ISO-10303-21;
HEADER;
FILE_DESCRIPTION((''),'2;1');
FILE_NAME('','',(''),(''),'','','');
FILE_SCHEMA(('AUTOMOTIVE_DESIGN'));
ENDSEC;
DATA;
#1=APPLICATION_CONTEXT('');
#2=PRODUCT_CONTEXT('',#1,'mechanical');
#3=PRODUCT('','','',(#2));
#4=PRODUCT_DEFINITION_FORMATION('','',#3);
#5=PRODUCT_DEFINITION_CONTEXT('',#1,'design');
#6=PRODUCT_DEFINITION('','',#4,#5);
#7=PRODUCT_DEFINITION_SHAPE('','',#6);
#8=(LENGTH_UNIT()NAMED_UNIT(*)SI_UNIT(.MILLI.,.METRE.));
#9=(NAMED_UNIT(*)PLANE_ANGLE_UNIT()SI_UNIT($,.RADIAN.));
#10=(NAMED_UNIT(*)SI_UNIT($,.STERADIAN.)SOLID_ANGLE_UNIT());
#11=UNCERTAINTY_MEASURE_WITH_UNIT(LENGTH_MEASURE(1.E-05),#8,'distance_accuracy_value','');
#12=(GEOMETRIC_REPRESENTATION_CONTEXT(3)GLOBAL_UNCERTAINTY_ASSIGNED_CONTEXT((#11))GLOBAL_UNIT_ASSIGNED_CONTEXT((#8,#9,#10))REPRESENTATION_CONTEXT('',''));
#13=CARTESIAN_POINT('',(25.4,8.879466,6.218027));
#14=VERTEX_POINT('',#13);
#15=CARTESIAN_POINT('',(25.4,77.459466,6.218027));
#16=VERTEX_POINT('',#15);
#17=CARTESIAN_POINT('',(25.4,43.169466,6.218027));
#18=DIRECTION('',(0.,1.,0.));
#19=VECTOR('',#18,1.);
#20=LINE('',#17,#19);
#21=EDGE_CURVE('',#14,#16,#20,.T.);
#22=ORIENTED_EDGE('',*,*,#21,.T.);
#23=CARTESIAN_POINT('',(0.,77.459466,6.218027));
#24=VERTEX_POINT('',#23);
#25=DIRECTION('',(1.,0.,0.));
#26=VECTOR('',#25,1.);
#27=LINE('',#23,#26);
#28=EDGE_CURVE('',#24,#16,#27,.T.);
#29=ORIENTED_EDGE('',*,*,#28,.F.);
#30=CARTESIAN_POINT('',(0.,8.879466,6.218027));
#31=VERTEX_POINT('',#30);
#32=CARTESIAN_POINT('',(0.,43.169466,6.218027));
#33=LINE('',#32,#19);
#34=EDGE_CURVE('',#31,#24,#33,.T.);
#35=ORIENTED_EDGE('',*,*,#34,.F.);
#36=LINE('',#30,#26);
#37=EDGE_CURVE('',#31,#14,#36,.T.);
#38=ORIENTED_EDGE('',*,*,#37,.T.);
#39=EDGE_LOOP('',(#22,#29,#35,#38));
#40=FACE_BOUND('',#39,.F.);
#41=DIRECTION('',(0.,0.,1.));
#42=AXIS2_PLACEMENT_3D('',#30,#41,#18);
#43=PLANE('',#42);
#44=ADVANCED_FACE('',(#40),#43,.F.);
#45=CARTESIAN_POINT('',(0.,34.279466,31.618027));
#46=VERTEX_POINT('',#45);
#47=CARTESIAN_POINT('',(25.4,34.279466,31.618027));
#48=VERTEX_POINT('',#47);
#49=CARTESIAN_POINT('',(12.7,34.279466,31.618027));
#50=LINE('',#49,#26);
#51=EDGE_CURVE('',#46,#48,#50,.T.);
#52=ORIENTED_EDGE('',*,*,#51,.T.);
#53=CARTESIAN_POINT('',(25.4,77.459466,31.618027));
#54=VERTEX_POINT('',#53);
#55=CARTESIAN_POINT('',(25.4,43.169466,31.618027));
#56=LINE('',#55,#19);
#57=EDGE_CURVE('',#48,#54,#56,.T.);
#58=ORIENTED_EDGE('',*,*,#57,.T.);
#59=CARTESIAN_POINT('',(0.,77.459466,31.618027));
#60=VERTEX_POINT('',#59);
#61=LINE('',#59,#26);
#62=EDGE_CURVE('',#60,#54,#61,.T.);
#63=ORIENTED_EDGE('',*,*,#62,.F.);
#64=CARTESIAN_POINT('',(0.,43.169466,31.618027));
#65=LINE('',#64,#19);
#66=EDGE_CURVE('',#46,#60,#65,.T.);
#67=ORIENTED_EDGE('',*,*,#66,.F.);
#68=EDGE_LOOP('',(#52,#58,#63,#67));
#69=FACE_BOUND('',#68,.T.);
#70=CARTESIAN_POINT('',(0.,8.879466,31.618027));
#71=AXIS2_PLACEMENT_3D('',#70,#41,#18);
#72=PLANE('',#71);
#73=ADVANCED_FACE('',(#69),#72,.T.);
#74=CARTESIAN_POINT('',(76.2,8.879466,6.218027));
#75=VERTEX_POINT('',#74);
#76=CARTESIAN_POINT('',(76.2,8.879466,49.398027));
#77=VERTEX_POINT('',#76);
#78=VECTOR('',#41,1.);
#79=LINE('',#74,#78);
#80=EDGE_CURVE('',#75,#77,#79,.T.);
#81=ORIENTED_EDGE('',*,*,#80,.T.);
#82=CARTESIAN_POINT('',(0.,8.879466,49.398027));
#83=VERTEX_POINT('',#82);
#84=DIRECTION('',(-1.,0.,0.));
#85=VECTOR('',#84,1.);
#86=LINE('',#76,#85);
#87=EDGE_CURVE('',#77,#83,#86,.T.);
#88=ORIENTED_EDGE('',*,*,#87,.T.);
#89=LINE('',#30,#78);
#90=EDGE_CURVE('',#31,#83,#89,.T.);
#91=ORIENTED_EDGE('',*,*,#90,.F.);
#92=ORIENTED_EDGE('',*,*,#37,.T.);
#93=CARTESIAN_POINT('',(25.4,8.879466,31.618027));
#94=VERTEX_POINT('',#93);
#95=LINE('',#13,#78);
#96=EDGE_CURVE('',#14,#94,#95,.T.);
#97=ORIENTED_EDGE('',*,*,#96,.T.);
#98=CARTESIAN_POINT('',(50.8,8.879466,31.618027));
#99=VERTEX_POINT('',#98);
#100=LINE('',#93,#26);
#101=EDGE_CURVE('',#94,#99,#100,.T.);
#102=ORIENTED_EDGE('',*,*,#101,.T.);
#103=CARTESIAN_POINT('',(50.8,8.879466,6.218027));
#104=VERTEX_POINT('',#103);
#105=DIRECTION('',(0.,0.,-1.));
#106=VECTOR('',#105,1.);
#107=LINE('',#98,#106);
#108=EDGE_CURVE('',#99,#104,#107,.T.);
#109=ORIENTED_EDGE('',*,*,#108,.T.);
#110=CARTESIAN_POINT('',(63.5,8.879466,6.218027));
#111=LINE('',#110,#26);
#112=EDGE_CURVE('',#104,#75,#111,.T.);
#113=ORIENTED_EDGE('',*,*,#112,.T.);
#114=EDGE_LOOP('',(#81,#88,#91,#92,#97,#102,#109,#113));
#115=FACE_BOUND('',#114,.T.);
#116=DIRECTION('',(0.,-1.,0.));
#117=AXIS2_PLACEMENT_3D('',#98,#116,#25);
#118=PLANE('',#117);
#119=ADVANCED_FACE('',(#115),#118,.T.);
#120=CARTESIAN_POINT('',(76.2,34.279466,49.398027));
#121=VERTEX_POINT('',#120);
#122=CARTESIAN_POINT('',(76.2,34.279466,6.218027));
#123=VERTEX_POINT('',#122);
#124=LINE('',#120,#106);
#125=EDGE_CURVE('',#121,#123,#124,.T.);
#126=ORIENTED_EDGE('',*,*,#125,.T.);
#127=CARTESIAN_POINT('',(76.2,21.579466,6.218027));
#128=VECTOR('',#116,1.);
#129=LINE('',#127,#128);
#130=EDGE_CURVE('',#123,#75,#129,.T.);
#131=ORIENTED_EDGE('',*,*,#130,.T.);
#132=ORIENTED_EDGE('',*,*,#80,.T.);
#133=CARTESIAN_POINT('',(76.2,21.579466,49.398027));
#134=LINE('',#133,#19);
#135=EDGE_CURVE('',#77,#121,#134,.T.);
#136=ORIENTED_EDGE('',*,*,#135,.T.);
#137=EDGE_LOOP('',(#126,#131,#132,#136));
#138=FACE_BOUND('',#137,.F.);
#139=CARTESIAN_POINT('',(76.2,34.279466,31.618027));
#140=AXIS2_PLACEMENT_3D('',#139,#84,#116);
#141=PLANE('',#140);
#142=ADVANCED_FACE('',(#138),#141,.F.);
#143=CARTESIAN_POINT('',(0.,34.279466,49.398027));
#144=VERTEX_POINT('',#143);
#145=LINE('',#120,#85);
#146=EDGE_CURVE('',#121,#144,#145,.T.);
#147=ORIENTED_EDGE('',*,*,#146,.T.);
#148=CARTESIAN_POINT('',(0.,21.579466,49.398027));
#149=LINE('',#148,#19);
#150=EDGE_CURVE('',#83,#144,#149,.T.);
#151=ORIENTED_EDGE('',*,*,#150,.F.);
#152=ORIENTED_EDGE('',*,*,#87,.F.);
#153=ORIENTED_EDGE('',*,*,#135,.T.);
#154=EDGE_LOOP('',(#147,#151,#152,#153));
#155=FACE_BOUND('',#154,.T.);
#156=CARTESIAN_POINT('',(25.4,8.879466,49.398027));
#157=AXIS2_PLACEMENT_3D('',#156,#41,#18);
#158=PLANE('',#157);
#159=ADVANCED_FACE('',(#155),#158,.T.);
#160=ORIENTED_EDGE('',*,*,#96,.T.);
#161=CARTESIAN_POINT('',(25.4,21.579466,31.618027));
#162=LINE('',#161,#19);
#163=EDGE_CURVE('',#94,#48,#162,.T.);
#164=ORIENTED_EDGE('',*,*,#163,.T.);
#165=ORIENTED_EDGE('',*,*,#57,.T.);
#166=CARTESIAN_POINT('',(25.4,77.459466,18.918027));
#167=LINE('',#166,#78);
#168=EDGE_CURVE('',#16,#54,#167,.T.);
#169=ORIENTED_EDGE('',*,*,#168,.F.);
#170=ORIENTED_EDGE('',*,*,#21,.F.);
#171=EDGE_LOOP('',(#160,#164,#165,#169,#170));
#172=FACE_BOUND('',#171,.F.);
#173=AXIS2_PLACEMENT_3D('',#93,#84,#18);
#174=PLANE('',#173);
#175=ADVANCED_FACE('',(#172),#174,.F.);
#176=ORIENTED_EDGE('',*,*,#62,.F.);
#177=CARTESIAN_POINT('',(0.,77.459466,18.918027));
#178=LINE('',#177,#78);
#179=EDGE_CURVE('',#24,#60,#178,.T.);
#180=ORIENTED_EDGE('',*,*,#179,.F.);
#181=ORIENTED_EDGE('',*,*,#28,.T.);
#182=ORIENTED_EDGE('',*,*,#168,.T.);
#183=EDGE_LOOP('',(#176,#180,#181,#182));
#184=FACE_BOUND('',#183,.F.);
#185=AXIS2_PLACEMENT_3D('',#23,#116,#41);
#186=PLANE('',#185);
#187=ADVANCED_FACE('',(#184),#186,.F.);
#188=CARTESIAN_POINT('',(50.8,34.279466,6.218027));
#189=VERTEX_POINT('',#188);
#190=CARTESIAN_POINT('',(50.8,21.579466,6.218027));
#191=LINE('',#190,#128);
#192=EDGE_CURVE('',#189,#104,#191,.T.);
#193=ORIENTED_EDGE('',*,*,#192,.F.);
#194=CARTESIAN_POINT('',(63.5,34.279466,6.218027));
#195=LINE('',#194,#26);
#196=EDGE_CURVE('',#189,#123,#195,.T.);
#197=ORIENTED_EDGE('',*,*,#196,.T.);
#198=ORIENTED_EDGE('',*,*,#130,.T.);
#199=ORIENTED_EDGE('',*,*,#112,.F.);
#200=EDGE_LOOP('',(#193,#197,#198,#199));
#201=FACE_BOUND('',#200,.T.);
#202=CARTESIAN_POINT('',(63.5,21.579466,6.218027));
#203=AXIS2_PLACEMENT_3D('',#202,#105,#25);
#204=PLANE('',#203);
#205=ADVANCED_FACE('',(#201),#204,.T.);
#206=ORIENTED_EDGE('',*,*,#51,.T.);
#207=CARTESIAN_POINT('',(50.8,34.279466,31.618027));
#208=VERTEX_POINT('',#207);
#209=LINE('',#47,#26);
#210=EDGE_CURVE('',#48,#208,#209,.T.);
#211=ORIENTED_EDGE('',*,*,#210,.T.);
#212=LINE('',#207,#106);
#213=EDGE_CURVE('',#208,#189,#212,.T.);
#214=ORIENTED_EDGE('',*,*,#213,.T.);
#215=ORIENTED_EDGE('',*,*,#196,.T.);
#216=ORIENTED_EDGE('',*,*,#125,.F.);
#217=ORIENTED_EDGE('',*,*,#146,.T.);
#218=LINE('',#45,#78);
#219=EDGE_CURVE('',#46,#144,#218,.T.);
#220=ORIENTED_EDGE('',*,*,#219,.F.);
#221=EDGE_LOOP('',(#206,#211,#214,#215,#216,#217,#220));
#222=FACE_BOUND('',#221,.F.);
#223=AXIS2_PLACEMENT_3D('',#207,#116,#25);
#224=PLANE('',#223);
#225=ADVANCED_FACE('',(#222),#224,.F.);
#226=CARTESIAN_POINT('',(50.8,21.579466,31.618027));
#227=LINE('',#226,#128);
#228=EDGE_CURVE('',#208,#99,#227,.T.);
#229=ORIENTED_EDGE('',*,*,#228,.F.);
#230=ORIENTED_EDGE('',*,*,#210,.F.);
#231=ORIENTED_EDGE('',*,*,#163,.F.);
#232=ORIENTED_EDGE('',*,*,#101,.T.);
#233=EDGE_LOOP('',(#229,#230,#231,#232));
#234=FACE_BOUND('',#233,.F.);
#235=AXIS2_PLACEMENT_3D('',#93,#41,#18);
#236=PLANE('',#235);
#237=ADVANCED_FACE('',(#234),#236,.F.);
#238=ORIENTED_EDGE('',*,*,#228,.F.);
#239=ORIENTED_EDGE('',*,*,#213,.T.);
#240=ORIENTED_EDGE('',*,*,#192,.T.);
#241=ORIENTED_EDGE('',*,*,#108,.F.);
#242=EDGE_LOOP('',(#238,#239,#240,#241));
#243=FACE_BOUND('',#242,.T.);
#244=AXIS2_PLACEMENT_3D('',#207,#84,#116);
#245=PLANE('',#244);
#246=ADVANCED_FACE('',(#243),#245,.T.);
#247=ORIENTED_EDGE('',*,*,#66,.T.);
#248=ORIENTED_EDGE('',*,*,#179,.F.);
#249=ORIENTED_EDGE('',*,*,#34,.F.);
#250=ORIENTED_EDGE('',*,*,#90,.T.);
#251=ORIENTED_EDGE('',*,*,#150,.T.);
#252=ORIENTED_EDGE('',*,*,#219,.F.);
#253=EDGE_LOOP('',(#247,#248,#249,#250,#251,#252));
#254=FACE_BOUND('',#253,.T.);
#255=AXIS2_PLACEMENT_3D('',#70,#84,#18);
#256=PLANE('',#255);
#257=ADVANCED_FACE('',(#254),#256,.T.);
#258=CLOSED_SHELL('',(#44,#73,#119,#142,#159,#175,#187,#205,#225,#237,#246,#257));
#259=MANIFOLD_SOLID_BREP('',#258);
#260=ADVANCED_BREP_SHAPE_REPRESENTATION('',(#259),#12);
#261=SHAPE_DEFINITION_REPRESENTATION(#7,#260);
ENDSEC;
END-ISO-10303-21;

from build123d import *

# Parameters (mm, degrees)
F0_W     = 68.58
F0_H     = 25.4
F1_DEPTH = 25.4
F2_W     = 25.4
F2_H     = 25.4
F3_DEPTH = 17.78
F4_W     = 25.4
F4_H     = 17.78
F5_DEPTH = 50.8
F6_W     = 25.4
F6_H     = 25.4
F7_DEPTH = 25.4


with BuildPart() as f1:
    # F0 (on Right) → F1 (new body)
    with BuildSketch(Plane.YZ):
        with Locations((43.169466, 18.918027)):
            Rectangle(F0_W, F0_H)
    extrude(amount=F1_DEPTH)

    # F2 (on face) → F3 (join)
    with BuildSketch(Plane.XY.offset(31.618027)):
        with Locations((12.7, 21.579466)):
            Rectangle(F2_W, F2_H)
    extrude(amount=F3_DEPTH)

    # F4 (on face) → F5 (join)
    with BuildSketch(Plane.YZ.offset(25.4)):
        with Locations((21.579466, 40.508027)):
            Rectangle(F4_W, F4_H)
    extrude(amount=F5_DEPTH)

    # F6 (on face) → F7 (join)
    with BuildSketch(Plane(origin=(0, 0, 31.618027), x_dir=(1, 0, 0), z_dir=(0, 0, -1))):
        with Locations((63.5, -21.579466)):
            Rectangle(F6_W, F6_H)
    extrude(amount=F7_DEPTH)


solid = f1.part
